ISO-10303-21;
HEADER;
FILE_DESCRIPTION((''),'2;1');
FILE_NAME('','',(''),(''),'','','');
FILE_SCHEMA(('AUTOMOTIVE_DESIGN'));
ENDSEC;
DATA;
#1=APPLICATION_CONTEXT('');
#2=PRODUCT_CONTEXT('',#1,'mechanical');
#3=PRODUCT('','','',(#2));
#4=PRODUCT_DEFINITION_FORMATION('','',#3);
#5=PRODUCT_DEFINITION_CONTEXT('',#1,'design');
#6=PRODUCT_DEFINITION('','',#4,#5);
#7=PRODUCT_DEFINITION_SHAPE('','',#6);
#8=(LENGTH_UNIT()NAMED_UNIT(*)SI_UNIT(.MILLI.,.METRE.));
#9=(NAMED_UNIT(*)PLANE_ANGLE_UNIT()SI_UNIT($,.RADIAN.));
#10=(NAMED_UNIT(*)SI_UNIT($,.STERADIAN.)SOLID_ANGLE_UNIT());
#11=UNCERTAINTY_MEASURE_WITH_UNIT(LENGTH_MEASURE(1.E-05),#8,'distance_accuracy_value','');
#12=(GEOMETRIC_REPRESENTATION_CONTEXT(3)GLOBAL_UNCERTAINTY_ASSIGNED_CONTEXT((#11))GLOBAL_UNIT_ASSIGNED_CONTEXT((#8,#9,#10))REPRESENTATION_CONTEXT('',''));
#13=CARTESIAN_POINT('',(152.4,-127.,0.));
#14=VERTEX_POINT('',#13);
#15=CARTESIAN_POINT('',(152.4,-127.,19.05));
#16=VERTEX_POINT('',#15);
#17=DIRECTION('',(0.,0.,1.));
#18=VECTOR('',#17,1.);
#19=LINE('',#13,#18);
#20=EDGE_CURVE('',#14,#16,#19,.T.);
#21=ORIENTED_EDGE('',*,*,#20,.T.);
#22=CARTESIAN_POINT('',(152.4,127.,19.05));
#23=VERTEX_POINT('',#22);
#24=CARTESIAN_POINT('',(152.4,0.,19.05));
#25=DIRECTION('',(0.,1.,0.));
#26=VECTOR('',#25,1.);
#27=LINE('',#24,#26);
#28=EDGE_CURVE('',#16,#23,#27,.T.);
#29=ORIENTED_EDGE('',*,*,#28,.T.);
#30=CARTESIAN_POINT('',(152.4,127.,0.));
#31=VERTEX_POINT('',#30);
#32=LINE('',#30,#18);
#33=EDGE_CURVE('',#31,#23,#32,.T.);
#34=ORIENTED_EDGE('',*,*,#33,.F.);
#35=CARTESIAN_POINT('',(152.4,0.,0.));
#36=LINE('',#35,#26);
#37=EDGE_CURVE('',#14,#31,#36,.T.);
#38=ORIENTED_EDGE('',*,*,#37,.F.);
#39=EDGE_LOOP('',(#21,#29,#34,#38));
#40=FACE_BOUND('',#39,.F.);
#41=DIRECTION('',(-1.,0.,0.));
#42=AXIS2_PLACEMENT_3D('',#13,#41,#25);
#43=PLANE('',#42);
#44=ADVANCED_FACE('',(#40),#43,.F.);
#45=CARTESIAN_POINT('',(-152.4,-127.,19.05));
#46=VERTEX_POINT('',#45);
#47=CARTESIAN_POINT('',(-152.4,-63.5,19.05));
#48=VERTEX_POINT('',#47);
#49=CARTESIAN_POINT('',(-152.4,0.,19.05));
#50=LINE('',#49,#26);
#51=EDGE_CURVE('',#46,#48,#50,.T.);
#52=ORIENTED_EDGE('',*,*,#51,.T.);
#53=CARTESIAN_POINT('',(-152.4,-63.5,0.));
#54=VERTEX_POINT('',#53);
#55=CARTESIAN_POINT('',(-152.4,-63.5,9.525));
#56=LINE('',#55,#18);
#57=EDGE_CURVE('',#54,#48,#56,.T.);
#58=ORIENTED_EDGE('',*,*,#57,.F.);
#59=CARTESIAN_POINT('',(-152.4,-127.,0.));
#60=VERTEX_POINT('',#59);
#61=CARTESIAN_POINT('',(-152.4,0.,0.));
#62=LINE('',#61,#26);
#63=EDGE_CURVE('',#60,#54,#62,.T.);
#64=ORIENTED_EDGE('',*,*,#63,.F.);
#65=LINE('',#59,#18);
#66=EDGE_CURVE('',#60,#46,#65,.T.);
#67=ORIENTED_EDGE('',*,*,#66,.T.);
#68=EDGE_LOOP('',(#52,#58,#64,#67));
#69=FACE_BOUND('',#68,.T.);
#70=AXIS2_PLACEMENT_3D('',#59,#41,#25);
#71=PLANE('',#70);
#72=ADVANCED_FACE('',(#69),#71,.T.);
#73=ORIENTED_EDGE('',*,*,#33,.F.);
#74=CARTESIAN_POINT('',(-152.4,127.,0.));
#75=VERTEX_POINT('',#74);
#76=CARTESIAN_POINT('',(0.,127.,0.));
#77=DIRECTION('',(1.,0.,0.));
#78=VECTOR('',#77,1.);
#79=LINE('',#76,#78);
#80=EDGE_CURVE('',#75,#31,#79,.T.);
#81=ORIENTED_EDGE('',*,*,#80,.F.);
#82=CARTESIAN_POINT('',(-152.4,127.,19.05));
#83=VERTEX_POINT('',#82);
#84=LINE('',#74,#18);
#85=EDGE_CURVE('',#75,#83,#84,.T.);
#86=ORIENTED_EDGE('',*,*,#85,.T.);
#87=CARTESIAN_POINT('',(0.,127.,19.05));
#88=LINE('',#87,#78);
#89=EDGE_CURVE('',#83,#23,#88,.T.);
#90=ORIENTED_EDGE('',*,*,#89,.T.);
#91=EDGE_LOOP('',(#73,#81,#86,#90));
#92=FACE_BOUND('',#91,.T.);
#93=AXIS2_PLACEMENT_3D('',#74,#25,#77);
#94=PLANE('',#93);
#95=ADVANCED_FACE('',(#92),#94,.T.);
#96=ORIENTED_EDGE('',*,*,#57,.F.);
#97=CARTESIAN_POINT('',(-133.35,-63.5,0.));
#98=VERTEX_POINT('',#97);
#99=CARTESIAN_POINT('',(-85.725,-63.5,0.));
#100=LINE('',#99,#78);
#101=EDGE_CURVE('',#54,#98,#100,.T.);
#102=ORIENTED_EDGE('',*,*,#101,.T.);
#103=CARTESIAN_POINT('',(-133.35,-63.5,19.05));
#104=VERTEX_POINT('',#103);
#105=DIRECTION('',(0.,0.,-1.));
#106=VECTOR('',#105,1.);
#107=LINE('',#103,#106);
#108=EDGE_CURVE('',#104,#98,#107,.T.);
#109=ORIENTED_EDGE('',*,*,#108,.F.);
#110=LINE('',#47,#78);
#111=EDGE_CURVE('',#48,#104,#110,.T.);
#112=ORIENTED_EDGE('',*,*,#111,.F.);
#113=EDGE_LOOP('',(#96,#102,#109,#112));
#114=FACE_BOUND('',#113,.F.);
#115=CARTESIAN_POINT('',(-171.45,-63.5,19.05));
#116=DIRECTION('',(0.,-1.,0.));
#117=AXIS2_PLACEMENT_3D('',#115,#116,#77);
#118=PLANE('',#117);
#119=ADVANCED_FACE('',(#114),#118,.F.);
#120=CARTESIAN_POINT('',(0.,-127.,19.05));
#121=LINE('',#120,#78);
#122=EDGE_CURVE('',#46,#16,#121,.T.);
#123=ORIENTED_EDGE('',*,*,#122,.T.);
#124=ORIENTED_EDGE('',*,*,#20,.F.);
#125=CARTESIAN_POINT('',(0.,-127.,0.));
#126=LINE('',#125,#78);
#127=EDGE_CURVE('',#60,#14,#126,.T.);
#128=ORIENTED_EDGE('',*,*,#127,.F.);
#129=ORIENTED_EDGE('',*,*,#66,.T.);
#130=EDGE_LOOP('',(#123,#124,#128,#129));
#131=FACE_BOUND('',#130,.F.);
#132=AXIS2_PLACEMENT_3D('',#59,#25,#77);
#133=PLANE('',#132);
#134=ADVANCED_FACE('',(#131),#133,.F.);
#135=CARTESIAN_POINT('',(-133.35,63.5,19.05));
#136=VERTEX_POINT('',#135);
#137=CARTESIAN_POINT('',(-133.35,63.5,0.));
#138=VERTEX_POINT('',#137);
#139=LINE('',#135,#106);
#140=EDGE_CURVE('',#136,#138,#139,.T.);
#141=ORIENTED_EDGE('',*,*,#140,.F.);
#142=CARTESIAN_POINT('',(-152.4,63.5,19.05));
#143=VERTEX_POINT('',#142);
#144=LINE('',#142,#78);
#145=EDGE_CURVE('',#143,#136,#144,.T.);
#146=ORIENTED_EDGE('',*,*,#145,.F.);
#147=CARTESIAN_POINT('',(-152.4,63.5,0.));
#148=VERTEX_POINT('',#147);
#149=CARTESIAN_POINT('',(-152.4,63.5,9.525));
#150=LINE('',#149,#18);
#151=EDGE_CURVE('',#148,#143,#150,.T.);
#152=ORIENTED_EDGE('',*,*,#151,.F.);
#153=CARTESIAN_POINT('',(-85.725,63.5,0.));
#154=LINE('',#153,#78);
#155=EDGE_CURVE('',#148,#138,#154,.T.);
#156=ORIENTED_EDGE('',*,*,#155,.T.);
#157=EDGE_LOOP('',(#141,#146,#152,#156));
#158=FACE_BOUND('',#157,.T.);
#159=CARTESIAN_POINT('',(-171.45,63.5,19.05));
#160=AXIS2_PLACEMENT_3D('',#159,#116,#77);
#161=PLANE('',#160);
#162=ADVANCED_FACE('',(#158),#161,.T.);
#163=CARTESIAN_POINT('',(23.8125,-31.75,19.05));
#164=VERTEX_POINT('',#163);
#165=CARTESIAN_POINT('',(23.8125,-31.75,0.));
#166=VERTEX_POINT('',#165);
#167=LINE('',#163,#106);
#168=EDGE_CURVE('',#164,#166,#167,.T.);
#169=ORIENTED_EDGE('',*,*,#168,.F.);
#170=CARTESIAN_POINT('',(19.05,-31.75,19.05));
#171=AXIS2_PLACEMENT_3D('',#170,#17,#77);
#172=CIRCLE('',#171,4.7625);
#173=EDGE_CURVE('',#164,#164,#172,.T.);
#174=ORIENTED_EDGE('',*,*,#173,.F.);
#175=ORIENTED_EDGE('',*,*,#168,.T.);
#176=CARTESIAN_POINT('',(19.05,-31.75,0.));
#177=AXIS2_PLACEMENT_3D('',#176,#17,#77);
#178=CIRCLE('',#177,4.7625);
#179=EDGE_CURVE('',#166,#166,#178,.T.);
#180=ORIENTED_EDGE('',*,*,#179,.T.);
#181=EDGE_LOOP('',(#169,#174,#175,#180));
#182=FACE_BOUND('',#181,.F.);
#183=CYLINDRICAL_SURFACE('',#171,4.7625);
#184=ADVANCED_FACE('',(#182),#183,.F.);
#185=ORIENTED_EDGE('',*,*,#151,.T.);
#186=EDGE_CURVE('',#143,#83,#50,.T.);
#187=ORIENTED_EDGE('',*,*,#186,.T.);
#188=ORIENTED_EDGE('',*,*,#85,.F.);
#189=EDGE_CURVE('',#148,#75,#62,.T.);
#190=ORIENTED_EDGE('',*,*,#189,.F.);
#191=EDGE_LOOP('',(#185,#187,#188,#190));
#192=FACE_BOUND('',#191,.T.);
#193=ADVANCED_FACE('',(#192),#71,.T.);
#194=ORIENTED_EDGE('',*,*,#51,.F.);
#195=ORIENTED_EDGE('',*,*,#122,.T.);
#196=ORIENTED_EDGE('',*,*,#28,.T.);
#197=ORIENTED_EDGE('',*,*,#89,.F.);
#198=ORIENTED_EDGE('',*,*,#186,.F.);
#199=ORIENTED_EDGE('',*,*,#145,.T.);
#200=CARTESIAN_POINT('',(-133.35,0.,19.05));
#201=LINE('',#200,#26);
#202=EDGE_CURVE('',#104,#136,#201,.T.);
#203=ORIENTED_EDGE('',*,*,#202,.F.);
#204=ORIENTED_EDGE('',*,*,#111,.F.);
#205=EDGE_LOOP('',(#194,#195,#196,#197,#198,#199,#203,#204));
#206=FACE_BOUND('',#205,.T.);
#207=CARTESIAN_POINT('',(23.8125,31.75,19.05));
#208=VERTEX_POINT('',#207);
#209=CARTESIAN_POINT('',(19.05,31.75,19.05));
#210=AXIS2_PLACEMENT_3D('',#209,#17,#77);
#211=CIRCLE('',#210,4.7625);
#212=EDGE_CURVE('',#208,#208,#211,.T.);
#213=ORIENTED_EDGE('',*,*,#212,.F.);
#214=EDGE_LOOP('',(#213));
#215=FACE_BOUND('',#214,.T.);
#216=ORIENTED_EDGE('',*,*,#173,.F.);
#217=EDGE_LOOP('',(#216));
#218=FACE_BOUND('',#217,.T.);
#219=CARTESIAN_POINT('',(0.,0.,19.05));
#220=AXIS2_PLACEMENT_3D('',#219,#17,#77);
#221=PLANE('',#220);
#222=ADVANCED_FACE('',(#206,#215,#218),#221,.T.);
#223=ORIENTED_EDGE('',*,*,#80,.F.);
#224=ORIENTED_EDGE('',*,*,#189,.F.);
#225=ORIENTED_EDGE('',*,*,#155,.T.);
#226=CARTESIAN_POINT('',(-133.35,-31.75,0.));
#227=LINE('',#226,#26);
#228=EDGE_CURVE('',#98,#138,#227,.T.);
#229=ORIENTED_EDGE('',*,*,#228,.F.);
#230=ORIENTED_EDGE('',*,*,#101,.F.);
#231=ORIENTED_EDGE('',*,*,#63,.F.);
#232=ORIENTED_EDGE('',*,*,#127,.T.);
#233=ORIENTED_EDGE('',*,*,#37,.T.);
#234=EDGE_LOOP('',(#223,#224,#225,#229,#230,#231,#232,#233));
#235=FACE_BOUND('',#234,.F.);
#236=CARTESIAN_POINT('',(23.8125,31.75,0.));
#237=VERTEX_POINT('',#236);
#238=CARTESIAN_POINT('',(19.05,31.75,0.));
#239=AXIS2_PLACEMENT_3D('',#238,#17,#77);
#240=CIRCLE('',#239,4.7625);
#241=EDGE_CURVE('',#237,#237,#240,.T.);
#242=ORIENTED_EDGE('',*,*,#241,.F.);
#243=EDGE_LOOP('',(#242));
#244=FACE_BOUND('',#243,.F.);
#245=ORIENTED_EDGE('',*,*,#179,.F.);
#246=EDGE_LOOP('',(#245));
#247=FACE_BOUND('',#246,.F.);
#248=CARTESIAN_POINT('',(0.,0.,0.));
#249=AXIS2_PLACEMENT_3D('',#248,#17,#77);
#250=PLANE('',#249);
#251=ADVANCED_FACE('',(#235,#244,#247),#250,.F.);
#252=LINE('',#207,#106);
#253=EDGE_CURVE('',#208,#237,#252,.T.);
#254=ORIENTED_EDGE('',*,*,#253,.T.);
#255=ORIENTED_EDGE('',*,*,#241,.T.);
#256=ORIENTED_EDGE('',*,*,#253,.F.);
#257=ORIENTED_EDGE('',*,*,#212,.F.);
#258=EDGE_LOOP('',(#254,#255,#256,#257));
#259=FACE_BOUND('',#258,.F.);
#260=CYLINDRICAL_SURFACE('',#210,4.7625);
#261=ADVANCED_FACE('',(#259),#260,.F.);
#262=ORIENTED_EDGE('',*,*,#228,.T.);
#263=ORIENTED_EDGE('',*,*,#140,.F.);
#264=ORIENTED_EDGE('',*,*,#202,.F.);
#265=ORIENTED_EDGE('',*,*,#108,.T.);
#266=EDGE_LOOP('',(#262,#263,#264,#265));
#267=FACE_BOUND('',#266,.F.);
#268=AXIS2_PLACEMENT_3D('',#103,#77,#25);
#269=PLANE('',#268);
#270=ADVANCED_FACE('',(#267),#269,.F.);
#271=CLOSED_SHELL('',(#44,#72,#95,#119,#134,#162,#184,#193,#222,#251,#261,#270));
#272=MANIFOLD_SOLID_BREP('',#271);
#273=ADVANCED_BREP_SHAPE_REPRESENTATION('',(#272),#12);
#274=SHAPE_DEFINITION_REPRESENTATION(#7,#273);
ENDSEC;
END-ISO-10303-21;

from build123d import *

# Parameters (mm, degrees)
F0_W     = 304.8
F0_H     = 254
F1_DEPTH = 19.05
F2_W     = 38.1
F2_H     = 127
F3_DEPTH = 19.051
F4_R     = 4.7625
F5_DEPTH = 19.051


with BuildPart() as f1:
    # F0 (on Top) → F1 (new body)
    with BuildSketch(Plane.XY):
        Rectangle(F0_W, F0_H)
    extrude(amount=F1_DEPTH)

    # F2 (on face) → F3 (cut, through all)
    with BuildSketch(Plane.XY.offset(19.05)):
        with Locations((-152.4, 0)):
            Rectangle(F2_W, F2_H)
    extrude(amount=-F3_DEPTH, mode=Mode.SUBTRACT)

    # F4 (on face) → F5 (cut, through all)
    with BuildSketch(Plane.XY.offset(19.05)):
        with Locations((19.05, 31.75)):
            Circle(F4_R)
        with Locations((19.05, -31.75)):
            Circle(F4_R)
    extrude(amount=-F5_DEPTH, mode=Mode.SUBTRACT)


solid = f1.part
